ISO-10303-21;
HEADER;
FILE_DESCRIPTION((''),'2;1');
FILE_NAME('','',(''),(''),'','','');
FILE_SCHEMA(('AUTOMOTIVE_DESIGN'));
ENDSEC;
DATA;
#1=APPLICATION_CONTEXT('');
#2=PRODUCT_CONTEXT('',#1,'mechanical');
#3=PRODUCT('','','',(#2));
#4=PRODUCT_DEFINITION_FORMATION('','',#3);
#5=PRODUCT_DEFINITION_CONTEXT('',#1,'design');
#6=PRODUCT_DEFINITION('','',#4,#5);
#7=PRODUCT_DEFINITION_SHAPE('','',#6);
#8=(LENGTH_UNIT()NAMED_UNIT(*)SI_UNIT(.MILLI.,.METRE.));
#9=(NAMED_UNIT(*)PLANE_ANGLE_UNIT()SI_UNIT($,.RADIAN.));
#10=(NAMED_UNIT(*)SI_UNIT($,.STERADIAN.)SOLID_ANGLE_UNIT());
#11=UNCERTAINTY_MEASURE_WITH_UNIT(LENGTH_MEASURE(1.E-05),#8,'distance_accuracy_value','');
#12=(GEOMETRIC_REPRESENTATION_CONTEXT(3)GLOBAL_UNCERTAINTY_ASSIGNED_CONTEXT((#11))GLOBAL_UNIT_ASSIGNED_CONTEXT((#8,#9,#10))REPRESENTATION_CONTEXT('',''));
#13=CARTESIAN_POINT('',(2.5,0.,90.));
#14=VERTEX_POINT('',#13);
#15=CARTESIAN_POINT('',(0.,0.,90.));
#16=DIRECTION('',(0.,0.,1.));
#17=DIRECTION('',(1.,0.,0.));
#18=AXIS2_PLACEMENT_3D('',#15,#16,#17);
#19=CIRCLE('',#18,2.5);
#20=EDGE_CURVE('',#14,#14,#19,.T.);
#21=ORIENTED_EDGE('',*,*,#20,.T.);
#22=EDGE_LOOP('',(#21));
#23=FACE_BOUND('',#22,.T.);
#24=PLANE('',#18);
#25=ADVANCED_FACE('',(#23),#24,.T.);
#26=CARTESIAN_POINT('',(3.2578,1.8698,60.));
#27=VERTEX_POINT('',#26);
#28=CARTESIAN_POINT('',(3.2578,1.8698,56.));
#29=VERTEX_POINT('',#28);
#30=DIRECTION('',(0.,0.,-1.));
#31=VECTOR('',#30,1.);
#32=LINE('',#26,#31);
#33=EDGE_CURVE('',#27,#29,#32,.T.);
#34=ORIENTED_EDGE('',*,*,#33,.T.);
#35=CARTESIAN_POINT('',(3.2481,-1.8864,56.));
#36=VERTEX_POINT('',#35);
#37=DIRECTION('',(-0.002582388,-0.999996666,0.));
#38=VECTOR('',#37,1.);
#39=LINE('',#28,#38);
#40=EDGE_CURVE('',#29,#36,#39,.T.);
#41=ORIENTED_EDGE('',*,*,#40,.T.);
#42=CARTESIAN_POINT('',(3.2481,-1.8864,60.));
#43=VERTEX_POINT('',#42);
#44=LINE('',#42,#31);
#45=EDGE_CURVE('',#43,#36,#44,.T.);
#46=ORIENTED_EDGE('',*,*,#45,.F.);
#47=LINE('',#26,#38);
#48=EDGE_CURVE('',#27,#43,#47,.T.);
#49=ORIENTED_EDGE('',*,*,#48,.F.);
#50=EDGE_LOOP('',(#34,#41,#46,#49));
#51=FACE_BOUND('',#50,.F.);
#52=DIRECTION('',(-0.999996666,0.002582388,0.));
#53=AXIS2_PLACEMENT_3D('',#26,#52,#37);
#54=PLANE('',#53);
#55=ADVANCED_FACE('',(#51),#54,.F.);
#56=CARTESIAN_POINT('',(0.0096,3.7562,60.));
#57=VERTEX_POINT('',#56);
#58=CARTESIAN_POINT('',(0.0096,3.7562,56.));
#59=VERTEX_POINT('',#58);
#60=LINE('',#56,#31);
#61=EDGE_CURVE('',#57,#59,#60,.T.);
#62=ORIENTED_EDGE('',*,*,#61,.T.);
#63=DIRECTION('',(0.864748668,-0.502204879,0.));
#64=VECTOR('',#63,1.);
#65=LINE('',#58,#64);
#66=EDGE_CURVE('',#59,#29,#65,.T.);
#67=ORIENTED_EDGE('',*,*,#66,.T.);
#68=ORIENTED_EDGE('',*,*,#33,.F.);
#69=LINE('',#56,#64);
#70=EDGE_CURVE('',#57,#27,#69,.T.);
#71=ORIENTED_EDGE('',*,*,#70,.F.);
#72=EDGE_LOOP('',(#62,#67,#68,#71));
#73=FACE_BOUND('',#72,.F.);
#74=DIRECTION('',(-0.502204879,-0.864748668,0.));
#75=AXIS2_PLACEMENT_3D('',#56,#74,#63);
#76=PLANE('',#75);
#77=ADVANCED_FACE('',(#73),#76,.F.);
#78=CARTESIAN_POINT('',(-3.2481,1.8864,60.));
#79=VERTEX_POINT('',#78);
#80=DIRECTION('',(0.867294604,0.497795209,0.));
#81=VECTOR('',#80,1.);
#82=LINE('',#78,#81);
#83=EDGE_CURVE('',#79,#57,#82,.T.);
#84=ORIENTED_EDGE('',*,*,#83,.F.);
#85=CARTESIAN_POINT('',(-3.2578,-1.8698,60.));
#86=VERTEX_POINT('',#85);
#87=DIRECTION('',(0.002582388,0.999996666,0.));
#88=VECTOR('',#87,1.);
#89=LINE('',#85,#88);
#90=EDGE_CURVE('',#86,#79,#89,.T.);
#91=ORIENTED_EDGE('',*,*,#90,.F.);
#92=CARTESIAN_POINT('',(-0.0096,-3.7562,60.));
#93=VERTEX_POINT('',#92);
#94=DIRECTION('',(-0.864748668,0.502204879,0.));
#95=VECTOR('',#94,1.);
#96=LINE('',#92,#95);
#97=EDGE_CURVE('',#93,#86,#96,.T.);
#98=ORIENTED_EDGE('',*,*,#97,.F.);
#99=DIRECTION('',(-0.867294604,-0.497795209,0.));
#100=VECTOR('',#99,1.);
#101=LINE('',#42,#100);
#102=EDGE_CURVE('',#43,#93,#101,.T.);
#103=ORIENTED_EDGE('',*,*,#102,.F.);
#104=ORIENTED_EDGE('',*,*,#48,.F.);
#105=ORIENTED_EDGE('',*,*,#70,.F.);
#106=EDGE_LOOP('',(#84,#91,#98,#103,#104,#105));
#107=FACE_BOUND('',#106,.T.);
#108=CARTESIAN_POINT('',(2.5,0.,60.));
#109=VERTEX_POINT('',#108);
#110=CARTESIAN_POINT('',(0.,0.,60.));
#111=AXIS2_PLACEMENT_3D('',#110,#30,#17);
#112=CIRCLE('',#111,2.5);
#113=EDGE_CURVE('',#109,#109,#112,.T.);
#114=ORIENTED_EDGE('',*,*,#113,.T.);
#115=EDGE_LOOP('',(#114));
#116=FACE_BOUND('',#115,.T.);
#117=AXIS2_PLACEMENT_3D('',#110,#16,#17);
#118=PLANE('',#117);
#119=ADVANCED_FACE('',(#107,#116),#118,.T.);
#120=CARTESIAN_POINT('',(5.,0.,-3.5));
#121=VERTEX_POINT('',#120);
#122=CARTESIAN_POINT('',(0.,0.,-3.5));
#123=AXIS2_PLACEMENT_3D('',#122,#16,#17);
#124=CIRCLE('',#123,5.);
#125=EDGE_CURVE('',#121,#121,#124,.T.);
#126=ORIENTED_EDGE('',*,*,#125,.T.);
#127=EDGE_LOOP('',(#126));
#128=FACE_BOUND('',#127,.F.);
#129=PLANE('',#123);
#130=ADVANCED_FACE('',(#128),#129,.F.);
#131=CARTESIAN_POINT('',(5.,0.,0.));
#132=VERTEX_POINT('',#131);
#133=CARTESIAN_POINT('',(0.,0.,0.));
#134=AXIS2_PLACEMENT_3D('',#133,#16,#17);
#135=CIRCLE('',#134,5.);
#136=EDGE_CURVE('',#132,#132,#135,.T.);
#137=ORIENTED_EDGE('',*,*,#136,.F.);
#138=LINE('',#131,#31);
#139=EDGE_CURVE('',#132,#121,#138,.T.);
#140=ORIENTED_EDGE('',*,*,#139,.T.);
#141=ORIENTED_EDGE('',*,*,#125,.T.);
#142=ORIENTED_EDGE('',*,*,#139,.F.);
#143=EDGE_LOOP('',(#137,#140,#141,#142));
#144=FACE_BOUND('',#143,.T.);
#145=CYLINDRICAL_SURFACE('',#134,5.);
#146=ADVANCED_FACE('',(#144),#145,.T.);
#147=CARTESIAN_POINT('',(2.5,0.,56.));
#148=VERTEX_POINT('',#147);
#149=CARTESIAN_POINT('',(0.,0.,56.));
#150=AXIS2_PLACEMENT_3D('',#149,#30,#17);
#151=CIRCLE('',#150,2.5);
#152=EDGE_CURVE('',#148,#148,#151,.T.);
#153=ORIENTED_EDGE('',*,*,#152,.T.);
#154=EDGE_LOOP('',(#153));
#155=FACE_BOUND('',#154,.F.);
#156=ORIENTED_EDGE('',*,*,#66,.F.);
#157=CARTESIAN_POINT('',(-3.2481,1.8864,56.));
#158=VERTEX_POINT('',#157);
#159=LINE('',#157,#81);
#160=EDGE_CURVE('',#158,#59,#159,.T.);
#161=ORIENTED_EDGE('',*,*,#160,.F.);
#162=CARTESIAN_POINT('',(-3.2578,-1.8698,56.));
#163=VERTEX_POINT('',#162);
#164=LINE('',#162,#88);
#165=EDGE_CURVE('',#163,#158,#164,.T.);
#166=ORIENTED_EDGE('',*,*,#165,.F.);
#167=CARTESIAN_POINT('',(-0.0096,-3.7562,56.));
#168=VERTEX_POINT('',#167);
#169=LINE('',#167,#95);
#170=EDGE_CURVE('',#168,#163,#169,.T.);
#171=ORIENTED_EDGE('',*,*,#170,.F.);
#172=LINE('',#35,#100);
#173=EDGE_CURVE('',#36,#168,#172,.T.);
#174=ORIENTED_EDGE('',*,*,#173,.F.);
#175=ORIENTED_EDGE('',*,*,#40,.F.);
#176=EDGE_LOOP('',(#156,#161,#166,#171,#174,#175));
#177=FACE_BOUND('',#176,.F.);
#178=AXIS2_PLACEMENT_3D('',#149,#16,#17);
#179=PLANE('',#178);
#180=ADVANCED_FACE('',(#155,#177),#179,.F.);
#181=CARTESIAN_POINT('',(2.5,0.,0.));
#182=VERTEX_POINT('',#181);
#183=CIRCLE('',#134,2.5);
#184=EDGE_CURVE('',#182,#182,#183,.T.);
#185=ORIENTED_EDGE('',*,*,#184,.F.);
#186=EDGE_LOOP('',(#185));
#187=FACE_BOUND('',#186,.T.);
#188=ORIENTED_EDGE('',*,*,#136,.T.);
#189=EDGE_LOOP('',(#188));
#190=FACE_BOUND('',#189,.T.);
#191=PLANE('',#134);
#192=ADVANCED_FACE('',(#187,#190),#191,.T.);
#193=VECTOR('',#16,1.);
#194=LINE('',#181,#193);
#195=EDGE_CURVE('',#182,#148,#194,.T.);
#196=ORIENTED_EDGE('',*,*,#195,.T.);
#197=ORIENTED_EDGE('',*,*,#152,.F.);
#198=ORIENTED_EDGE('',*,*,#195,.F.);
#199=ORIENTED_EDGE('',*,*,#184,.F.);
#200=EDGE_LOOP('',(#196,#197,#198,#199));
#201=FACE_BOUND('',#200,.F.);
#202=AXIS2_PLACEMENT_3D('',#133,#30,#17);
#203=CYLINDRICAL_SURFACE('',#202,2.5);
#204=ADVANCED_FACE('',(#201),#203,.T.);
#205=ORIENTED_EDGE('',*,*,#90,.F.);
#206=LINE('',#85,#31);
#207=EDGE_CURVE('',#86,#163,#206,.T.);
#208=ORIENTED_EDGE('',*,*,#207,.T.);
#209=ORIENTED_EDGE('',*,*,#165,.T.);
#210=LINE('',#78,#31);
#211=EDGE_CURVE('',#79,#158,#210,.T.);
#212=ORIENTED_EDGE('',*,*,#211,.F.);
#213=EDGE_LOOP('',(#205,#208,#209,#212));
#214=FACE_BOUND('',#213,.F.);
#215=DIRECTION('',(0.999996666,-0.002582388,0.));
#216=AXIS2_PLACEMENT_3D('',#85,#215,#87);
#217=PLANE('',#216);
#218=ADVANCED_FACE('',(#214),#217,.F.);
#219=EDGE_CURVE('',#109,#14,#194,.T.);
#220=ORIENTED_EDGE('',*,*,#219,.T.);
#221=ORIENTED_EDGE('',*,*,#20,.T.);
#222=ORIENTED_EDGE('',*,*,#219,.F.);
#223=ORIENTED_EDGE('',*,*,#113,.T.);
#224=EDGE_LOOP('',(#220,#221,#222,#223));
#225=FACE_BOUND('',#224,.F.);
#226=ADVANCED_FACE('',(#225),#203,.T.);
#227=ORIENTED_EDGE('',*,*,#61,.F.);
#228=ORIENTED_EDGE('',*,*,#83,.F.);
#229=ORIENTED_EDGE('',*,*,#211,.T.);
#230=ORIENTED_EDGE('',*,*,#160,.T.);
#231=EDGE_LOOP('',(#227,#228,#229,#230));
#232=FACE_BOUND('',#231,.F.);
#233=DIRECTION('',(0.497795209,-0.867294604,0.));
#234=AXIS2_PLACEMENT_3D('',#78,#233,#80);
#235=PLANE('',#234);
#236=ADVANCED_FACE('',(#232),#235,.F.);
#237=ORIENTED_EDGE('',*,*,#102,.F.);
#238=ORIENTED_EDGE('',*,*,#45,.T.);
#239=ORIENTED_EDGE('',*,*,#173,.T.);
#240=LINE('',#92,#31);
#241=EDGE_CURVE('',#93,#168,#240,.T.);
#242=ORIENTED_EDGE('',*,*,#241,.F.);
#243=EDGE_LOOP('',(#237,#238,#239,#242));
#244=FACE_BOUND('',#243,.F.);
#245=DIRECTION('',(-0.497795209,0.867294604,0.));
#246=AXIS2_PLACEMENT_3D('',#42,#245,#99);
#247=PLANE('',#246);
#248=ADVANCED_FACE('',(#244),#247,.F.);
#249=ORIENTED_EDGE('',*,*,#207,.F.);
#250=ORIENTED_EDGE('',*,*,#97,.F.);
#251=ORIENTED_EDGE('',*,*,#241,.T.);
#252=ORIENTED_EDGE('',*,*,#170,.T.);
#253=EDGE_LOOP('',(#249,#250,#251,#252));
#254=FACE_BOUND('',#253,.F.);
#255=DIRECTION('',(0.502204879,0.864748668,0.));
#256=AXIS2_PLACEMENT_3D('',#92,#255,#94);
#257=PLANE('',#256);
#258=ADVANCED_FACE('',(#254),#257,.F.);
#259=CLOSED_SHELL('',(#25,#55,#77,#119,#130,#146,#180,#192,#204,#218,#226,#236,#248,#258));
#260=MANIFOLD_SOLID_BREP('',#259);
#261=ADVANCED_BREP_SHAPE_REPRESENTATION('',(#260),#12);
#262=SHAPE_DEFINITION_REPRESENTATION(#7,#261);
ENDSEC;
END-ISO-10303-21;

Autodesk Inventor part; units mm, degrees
ref_plane "YZ Plane" through (0, 0, 0) normal (1, 0, 0) x (0, 1, 0)
ref_plane "XZ Plane" through (0, 0, 0) normal (0, 1, 0) x (-1, 0, 0)
sketch "Sketch1" plane through (0, 0, 0) normal (0, 0, 1) x (1, 0, 0)
  circle A0 centre (0, 0) radius 2.5
  circle A1 centre (0, 0) radius 5
  dimension "d12" = 5
  dimension "d18" = 10
sketch "Sketch3" plane through (0, 0, 0) normal (0, 0, 1) x (1, 0, 0)
  circle A0 centre (0, 0) radius 2.5
  circle A1 centre (0, 0) radius 3.75
  dimension "d14" = 5
  dimension "d15" = 7.5
extrude "Extrusion3" add sketch "Sketch3" along normal blind 90 contours A0
extrude "Extrusion4" add sketch "Sketch1" against normal blind 3.5 contours A0 | A1
thread "Thread2" size "M5x0.8" class "6g" standard "ANSI Metric M Profile" full length
ref_plane "Work Plane1" through (0, 0, 60) normal (0, 0, 1) x (1, 0, 0)
sketch "Sketch4" plane through (0, 0, 60) normal (0, 0, 1) x (1, 0, 0)
  line L0 (-3.2481, 1.8864) -> (0.0096, 3.7562)
  line L1 (0.0096, 3.7562) -> (3.2578, 1.8698)
  line L2 (3.2578, 1.8698) -> (3.2481, -1.8864)
  line L3 (3.2481, -1.8864) -> (-0.0096, -3.7562)
  line L4 (-0.0096, -3.7562) -> (-3.2578, -1.8698)
  line L5 (-3.2578, -1.8698) -> (-3.2481, 1.8864)
  point P0 (0, 0)
  point P1 (0, 0)
extrude "Extrusion5" add sketch "Sketch4" against normal blind 4
properties part number "tornillo M5 largo"
